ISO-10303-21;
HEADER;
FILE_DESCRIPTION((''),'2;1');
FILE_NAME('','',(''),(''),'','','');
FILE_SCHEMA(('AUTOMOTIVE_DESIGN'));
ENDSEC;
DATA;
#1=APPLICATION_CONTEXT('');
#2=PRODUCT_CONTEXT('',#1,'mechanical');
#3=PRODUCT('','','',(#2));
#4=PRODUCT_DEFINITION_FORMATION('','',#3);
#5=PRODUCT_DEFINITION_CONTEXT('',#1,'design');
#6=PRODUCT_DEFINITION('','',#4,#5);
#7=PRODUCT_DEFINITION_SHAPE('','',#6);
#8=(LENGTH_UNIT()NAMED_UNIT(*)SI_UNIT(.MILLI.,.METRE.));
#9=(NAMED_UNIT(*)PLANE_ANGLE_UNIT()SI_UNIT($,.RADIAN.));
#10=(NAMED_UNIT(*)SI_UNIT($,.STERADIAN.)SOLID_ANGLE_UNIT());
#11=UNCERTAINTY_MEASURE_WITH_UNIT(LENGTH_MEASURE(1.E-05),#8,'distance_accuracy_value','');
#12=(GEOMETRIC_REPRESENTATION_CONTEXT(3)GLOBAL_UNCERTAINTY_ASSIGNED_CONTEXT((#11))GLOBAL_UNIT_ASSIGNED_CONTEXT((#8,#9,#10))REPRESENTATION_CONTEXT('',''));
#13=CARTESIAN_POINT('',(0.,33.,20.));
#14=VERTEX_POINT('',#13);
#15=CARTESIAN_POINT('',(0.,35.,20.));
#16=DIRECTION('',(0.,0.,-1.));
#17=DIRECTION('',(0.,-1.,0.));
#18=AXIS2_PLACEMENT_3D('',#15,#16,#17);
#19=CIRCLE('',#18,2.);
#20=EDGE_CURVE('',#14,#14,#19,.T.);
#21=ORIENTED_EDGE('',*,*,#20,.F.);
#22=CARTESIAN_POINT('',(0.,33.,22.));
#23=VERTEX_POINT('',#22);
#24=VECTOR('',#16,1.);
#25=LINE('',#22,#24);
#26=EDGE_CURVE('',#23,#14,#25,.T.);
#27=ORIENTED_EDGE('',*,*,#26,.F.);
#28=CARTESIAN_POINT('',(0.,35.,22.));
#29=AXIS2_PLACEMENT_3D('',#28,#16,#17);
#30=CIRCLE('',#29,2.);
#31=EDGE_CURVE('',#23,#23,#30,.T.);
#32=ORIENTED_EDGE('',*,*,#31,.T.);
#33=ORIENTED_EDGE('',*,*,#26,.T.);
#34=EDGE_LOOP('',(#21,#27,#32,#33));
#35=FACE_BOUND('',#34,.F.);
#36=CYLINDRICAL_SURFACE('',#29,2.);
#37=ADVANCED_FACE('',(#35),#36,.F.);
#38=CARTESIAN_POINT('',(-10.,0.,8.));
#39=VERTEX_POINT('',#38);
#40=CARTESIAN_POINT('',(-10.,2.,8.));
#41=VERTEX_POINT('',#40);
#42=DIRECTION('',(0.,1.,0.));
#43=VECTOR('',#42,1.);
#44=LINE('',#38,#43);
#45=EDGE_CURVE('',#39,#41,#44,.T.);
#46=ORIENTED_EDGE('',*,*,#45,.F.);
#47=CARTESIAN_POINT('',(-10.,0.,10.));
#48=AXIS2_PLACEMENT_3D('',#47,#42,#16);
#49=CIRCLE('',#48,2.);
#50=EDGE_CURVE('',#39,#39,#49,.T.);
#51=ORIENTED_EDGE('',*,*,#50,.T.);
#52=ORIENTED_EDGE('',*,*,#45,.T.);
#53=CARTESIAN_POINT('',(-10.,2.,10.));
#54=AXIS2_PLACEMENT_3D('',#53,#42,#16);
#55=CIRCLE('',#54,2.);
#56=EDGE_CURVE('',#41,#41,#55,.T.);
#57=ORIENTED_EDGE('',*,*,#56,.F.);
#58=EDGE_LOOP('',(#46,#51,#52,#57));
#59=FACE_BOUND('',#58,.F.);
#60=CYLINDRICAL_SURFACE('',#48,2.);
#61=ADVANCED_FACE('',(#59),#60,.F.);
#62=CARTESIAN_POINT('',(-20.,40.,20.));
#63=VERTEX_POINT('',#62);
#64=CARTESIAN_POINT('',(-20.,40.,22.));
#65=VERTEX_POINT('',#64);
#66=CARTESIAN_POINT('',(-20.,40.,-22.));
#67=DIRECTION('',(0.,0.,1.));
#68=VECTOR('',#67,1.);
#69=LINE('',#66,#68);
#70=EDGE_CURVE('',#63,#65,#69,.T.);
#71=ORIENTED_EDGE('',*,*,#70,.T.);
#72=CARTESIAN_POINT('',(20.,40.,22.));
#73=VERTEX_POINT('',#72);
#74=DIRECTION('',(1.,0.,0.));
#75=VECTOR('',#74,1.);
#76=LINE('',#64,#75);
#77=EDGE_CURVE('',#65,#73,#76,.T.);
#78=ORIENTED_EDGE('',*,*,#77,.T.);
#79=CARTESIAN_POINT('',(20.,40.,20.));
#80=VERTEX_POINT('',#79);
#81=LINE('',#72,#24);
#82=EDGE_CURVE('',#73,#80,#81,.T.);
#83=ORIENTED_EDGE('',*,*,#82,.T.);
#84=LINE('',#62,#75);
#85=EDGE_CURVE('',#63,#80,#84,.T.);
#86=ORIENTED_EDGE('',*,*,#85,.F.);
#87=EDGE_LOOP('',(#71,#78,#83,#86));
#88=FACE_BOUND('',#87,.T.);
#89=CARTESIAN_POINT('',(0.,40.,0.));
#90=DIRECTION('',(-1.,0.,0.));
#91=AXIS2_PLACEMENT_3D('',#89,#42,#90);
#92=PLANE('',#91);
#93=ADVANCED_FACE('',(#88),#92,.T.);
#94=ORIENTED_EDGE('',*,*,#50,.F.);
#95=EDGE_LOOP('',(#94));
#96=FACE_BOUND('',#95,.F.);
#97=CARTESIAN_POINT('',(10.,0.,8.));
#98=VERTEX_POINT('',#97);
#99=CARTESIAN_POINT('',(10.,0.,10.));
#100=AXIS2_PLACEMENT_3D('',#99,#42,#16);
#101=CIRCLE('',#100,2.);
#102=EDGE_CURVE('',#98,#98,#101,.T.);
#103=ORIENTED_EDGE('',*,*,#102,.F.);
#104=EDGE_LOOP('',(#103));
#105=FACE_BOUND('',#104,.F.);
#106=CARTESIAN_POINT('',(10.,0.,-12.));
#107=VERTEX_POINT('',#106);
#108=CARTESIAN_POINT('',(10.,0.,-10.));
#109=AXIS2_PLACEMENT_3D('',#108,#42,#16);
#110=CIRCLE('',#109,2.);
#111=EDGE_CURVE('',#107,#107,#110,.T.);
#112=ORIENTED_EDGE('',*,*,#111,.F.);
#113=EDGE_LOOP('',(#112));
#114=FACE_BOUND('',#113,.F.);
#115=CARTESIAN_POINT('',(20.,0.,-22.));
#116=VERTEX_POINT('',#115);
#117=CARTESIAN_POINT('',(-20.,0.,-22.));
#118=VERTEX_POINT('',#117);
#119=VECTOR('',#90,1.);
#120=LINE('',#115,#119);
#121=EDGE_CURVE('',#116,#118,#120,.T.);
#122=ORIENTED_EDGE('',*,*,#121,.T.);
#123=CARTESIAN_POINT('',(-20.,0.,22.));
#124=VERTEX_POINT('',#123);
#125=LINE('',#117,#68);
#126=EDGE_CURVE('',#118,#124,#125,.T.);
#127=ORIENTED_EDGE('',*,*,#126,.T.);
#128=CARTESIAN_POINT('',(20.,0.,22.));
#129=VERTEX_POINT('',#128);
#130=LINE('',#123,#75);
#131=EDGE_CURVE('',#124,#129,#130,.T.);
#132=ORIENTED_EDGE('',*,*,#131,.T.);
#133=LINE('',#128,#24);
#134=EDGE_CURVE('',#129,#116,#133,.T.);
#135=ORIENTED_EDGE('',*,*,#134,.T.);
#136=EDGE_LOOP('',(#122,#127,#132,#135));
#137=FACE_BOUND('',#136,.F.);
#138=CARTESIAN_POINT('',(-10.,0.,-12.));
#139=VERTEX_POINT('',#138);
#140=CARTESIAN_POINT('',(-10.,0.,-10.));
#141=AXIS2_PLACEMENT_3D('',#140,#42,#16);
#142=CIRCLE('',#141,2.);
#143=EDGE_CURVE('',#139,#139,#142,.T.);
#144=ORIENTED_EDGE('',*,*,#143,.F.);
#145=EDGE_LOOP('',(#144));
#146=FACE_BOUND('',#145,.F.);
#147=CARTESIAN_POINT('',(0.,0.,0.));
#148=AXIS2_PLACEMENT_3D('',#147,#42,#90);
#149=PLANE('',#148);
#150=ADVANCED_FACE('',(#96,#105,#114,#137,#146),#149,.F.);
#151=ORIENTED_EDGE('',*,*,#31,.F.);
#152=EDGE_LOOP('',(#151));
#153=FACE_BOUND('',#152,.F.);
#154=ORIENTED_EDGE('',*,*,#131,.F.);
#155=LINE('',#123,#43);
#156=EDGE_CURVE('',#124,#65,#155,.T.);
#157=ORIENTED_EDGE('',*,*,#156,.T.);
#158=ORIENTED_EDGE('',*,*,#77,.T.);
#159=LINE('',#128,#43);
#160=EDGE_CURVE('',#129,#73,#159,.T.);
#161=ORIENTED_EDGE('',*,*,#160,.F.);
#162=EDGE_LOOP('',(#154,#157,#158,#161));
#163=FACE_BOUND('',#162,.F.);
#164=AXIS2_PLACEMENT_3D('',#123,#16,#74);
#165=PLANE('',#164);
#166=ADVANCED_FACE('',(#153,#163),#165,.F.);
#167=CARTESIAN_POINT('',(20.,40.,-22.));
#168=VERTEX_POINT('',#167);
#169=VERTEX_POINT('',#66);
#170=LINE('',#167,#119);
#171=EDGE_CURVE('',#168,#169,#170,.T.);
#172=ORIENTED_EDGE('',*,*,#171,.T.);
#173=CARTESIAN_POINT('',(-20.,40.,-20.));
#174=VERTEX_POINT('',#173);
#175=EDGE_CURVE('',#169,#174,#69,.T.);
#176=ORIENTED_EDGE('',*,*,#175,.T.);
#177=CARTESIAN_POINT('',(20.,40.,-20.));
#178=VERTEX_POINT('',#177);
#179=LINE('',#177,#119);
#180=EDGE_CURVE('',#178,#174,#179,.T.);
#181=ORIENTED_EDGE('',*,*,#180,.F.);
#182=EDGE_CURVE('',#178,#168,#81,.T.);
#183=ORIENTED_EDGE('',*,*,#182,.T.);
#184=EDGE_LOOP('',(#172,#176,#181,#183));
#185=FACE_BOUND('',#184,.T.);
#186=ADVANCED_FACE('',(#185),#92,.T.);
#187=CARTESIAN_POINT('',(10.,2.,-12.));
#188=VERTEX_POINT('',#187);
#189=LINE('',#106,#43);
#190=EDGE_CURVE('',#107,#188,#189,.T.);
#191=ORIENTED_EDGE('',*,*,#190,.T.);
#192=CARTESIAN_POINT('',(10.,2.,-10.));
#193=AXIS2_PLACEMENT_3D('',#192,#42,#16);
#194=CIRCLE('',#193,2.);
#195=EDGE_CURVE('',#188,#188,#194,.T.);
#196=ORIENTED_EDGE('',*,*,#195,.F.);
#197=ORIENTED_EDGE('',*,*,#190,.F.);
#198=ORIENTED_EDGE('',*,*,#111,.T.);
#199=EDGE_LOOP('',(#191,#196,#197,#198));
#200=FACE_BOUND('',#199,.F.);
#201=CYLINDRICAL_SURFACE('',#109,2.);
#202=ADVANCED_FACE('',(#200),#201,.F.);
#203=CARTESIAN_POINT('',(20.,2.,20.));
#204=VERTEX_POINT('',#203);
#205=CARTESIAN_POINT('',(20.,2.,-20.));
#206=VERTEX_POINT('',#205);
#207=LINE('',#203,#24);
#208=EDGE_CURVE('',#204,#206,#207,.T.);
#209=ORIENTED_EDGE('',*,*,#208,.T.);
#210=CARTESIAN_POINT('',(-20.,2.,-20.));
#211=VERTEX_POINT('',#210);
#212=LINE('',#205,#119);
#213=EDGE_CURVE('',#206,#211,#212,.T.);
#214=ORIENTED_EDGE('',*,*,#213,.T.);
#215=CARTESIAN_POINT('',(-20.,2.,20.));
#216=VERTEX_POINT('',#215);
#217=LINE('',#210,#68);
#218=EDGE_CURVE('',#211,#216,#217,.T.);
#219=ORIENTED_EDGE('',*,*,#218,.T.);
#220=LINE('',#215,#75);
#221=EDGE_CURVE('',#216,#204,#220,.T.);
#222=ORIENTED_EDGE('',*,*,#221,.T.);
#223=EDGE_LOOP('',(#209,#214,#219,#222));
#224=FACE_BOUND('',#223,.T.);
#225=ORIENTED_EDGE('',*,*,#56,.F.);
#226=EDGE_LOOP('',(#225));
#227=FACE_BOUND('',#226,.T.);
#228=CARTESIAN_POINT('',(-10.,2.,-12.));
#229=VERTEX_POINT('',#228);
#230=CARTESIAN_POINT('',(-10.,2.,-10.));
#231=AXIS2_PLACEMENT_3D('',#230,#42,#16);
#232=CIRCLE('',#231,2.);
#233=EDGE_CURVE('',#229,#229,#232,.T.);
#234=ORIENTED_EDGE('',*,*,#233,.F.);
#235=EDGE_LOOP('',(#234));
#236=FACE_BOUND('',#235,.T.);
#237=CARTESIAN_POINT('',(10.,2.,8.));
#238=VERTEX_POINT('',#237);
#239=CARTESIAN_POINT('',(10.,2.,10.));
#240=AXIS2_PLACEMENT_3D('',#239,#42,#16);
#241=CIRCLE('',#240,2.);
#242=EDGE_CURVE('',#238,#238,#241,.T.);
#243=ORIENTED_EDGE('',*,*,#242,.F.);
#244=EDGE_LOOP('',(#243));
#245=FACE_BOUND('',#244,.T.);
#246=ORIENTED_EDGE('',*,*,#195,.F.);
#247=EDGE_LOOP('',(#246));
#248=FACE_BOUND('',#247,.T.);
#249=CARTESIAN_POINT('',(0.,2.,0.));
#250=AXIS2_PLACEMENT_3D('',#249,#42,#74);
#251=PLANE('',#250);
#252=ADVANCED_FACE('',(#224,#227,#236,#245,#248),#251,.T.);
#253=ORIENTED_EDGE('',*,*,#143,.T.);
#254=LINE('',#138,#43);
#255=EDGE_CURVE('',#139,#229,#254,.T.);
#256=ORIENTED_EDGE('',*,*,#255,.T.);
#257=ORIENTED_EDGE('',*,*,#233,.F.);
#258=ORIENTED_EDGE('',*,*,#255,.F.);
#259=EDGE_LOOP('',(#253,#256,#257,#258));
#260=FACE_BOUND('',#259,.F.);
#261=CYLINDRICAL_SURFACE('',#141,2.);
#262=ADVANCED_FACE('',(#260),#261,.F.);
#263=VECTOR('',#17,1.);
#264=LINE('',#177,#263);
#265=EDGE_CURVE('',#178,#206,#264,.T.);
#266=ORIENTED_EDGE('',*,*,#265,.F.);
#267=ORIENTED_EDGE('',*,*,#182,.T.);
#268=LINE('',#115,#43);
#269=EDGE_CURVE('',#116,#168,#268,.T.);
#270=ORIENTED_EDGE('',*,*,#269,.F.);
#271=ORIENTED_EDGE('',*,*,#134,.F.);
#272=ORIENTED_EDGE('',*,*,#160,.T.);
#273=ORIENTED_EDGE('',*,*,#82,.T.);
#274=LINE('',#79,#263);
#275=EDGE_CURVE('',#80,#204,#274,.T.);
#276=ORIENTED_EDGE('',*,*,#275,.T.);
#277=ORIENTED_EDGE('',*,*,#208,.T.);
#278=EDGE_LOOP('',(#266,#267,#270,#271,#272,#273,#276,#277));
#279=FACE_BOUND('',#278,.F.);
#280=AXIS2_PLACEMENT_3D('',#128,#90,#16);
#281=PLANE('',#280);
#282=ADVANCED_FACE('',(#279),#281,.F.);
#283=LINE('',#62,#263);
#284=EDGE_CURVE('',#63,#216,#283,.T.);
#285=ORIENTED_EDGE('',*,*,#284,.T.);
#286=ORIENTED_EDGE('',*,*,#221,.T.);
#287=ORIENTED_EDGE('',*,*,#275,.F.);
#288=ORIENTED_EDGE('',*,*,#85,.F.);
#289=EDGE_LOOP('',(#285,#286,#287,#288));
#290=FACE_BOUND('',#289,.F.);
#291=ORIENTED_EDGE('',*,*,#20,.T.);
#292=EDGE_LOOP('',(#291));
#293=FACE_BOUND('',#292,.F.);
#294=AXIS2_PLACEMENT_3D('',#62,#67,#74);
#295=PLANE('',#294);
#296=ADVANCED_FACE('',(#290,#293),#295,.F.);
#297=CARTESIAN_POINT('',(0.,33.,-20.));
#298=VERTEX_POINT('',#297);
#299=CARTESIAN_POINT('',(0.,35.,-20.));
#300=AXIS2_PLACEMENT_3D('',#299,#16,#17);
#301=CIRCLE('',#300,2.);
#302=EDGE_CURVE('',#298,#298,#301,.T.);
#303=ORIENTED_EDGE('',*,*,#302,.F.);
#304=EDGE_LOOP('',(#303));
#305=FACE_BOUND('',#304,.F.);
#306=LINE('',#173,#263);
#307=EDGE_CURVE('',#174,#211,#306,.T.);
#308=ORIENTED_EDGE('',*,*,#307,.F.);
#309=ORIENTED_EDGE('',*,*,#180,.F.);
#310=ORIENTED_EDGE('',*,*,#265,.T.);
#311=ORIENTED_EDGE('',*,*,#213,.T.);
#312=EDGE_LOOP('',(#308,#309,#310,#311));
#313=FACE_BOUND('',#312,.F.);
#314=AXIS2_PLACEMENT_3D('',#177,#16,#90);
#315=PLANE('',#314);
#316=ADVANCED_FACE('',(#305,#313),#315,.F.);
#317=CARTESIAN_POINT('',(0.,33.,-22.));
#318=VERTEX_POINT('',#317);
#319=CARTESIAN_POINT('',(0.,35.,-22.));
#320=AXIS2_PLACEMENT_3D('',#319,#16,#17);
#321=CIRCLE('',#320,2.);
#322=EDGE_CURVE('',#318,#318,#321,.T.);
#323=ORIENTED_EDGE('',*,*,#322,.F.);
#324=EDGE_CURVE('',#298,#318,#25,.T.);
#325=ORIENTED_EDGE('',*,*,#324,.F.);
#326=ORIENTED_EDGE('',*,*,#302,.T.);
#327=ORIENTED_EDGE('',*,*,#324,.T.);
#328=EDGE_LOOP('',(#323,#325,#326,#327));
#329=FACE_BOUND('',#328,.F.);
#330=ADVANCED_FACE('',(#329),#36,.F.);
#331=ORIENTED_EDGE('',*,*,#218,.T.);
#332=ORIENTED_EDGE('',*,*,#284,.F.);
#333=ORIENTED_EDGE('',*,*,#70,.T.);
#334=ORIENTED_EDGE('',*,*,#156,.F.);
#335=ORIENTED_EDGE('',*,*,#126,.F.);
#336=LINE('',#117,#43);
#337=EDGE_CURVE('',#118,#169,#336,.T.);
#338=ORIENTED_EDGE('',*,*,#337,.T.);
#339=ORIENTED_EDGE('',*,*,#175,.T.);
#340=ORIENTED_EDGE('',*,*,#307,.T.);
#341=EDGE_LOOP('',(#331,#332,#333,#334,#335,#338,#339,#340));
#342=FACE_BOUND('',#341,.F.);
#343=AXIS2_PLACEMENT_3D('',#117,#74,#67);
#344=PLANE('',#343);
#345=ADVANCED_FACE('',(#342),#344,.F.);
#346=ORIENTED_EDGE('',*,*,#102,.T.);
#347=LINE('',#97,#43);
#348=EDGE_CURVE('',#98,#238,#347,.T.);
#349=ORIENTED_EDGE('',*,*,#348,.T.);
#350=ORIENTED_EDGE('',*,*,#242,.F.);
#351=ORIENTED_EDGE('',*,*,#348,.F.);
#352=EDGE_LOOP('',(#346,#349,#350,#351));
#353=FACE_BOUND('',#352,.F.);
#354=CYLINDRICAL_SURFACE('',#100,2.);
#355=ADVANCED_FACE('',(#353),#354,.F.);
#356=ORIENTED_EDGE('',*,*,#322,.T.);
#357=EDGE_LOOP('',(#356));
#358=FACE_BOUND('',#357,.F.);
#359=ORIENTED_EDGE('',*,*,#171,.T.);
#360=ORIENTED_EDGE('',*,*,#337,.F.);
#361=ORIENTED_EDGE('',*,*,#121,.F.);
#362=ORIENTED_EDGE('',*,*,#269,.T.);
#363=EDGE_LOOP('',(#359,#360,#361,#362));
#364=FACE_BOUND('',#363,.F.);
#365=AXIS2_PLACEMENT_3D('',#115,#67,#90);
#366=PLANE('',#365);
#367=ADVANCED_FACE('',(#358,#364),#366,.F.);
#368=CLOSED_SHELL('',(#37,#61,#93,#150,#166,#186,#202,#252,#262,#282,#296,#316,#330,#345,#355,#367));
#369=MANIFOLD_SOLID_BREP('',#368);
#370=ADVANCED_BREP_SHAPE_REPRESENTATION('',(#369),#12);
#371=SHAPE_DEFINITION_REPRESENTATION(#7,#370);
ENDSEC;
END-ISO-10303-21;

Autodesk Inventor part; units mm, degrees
ref_plane "YZ Plane" through (0, 0, 0) normal (1, 0, 0) x (0, 1, 0)
ref_plane "XZ Plane" through (0, 0, 0) normal (0, 1, 0) x (-1, 0, 0)
ref_plane "XY Plane" through (0, 0, 0) normal (0, 0, 1) x (1, 0, 0)
sketch "スケッチ1" plane through (0, 0, 0) normal (0, 1, 0) x (-1, 0, 0)
  line L0 (20, 22) -> (-20, 22)
  line L1 (-20, 22) -> (-20, -22)
  line L2 (-20, -22) -> (20, -22)
  line L3 (20, -22) -> (20, 22)
  line L4 (20, 22) -> (-20, -22) construction
  line L5 (-20, 22) -> (20, -22) construction
  point P0 (0, 0)
  dimension "d0" = 40
  dimension "d1" = 44
extrude "押し出し1" add sketch "スケッチ1" along normal blind 40
sketch "スケッチ2" plane through (0, 40, 0) normal (0, 1, 0) x (1, 0, 0)
  line L0 (-20, -20) -> (20, -20)
  line L1 (20, -20) -> (20, 20)
  line L2 (20, 20) -> (-20, 20)
  line L3 (-20, 20) -> (-20, -20)
  line L4 (-20, -20) -> (20, 20) construction
  line L5 (20, -20) -> (-20, 20) construction
  point P0 (0, 0)
  dimension "d4" = 40
  dimension "d5" = 40
extrude "押し出し2" cut sketch "スケッチ2" against normal blind 38
sketch "スケッチ3" plane through (0, 0, 0) normal (0, -1, 0) x (1, 0, 0)
  line L0 (-20, -22) -> (-20, 22) projected
  line L1 (-20, 22) -> (20, 22) projected
  point P0 (0, 0)
  point P1 (-10, 10)
  point P2 (10, 10)
  point P3 (-10, -10)
  point P4 (10, -10)
  dimension "d8" = 10
  dimension "d9" = 12
  dimension "d12" = 20
  dimension "d15" = 20
hole "穴1" at (-10, 0, 10) at (10, 0, 10) at (-10, 0, -10) at (10, 0, -10) direction (0, 1, 0) diameter 4 end through all
sketch "スケッチ4" plane through (-20, 0, 22) normal (0, 0, 1) x (1, 0, 0)
  line L0 (0, 0) -> (0, 40) projected
  point P0 (20, 0)
  point P1 (20, 35)
  dimension "d25" = 35
  dimension "d26" = 20
hole "穴2" at (0, 35, 22) direction (0, 0, -1) diameter 4 end through all
properties part number "blaket_2"
